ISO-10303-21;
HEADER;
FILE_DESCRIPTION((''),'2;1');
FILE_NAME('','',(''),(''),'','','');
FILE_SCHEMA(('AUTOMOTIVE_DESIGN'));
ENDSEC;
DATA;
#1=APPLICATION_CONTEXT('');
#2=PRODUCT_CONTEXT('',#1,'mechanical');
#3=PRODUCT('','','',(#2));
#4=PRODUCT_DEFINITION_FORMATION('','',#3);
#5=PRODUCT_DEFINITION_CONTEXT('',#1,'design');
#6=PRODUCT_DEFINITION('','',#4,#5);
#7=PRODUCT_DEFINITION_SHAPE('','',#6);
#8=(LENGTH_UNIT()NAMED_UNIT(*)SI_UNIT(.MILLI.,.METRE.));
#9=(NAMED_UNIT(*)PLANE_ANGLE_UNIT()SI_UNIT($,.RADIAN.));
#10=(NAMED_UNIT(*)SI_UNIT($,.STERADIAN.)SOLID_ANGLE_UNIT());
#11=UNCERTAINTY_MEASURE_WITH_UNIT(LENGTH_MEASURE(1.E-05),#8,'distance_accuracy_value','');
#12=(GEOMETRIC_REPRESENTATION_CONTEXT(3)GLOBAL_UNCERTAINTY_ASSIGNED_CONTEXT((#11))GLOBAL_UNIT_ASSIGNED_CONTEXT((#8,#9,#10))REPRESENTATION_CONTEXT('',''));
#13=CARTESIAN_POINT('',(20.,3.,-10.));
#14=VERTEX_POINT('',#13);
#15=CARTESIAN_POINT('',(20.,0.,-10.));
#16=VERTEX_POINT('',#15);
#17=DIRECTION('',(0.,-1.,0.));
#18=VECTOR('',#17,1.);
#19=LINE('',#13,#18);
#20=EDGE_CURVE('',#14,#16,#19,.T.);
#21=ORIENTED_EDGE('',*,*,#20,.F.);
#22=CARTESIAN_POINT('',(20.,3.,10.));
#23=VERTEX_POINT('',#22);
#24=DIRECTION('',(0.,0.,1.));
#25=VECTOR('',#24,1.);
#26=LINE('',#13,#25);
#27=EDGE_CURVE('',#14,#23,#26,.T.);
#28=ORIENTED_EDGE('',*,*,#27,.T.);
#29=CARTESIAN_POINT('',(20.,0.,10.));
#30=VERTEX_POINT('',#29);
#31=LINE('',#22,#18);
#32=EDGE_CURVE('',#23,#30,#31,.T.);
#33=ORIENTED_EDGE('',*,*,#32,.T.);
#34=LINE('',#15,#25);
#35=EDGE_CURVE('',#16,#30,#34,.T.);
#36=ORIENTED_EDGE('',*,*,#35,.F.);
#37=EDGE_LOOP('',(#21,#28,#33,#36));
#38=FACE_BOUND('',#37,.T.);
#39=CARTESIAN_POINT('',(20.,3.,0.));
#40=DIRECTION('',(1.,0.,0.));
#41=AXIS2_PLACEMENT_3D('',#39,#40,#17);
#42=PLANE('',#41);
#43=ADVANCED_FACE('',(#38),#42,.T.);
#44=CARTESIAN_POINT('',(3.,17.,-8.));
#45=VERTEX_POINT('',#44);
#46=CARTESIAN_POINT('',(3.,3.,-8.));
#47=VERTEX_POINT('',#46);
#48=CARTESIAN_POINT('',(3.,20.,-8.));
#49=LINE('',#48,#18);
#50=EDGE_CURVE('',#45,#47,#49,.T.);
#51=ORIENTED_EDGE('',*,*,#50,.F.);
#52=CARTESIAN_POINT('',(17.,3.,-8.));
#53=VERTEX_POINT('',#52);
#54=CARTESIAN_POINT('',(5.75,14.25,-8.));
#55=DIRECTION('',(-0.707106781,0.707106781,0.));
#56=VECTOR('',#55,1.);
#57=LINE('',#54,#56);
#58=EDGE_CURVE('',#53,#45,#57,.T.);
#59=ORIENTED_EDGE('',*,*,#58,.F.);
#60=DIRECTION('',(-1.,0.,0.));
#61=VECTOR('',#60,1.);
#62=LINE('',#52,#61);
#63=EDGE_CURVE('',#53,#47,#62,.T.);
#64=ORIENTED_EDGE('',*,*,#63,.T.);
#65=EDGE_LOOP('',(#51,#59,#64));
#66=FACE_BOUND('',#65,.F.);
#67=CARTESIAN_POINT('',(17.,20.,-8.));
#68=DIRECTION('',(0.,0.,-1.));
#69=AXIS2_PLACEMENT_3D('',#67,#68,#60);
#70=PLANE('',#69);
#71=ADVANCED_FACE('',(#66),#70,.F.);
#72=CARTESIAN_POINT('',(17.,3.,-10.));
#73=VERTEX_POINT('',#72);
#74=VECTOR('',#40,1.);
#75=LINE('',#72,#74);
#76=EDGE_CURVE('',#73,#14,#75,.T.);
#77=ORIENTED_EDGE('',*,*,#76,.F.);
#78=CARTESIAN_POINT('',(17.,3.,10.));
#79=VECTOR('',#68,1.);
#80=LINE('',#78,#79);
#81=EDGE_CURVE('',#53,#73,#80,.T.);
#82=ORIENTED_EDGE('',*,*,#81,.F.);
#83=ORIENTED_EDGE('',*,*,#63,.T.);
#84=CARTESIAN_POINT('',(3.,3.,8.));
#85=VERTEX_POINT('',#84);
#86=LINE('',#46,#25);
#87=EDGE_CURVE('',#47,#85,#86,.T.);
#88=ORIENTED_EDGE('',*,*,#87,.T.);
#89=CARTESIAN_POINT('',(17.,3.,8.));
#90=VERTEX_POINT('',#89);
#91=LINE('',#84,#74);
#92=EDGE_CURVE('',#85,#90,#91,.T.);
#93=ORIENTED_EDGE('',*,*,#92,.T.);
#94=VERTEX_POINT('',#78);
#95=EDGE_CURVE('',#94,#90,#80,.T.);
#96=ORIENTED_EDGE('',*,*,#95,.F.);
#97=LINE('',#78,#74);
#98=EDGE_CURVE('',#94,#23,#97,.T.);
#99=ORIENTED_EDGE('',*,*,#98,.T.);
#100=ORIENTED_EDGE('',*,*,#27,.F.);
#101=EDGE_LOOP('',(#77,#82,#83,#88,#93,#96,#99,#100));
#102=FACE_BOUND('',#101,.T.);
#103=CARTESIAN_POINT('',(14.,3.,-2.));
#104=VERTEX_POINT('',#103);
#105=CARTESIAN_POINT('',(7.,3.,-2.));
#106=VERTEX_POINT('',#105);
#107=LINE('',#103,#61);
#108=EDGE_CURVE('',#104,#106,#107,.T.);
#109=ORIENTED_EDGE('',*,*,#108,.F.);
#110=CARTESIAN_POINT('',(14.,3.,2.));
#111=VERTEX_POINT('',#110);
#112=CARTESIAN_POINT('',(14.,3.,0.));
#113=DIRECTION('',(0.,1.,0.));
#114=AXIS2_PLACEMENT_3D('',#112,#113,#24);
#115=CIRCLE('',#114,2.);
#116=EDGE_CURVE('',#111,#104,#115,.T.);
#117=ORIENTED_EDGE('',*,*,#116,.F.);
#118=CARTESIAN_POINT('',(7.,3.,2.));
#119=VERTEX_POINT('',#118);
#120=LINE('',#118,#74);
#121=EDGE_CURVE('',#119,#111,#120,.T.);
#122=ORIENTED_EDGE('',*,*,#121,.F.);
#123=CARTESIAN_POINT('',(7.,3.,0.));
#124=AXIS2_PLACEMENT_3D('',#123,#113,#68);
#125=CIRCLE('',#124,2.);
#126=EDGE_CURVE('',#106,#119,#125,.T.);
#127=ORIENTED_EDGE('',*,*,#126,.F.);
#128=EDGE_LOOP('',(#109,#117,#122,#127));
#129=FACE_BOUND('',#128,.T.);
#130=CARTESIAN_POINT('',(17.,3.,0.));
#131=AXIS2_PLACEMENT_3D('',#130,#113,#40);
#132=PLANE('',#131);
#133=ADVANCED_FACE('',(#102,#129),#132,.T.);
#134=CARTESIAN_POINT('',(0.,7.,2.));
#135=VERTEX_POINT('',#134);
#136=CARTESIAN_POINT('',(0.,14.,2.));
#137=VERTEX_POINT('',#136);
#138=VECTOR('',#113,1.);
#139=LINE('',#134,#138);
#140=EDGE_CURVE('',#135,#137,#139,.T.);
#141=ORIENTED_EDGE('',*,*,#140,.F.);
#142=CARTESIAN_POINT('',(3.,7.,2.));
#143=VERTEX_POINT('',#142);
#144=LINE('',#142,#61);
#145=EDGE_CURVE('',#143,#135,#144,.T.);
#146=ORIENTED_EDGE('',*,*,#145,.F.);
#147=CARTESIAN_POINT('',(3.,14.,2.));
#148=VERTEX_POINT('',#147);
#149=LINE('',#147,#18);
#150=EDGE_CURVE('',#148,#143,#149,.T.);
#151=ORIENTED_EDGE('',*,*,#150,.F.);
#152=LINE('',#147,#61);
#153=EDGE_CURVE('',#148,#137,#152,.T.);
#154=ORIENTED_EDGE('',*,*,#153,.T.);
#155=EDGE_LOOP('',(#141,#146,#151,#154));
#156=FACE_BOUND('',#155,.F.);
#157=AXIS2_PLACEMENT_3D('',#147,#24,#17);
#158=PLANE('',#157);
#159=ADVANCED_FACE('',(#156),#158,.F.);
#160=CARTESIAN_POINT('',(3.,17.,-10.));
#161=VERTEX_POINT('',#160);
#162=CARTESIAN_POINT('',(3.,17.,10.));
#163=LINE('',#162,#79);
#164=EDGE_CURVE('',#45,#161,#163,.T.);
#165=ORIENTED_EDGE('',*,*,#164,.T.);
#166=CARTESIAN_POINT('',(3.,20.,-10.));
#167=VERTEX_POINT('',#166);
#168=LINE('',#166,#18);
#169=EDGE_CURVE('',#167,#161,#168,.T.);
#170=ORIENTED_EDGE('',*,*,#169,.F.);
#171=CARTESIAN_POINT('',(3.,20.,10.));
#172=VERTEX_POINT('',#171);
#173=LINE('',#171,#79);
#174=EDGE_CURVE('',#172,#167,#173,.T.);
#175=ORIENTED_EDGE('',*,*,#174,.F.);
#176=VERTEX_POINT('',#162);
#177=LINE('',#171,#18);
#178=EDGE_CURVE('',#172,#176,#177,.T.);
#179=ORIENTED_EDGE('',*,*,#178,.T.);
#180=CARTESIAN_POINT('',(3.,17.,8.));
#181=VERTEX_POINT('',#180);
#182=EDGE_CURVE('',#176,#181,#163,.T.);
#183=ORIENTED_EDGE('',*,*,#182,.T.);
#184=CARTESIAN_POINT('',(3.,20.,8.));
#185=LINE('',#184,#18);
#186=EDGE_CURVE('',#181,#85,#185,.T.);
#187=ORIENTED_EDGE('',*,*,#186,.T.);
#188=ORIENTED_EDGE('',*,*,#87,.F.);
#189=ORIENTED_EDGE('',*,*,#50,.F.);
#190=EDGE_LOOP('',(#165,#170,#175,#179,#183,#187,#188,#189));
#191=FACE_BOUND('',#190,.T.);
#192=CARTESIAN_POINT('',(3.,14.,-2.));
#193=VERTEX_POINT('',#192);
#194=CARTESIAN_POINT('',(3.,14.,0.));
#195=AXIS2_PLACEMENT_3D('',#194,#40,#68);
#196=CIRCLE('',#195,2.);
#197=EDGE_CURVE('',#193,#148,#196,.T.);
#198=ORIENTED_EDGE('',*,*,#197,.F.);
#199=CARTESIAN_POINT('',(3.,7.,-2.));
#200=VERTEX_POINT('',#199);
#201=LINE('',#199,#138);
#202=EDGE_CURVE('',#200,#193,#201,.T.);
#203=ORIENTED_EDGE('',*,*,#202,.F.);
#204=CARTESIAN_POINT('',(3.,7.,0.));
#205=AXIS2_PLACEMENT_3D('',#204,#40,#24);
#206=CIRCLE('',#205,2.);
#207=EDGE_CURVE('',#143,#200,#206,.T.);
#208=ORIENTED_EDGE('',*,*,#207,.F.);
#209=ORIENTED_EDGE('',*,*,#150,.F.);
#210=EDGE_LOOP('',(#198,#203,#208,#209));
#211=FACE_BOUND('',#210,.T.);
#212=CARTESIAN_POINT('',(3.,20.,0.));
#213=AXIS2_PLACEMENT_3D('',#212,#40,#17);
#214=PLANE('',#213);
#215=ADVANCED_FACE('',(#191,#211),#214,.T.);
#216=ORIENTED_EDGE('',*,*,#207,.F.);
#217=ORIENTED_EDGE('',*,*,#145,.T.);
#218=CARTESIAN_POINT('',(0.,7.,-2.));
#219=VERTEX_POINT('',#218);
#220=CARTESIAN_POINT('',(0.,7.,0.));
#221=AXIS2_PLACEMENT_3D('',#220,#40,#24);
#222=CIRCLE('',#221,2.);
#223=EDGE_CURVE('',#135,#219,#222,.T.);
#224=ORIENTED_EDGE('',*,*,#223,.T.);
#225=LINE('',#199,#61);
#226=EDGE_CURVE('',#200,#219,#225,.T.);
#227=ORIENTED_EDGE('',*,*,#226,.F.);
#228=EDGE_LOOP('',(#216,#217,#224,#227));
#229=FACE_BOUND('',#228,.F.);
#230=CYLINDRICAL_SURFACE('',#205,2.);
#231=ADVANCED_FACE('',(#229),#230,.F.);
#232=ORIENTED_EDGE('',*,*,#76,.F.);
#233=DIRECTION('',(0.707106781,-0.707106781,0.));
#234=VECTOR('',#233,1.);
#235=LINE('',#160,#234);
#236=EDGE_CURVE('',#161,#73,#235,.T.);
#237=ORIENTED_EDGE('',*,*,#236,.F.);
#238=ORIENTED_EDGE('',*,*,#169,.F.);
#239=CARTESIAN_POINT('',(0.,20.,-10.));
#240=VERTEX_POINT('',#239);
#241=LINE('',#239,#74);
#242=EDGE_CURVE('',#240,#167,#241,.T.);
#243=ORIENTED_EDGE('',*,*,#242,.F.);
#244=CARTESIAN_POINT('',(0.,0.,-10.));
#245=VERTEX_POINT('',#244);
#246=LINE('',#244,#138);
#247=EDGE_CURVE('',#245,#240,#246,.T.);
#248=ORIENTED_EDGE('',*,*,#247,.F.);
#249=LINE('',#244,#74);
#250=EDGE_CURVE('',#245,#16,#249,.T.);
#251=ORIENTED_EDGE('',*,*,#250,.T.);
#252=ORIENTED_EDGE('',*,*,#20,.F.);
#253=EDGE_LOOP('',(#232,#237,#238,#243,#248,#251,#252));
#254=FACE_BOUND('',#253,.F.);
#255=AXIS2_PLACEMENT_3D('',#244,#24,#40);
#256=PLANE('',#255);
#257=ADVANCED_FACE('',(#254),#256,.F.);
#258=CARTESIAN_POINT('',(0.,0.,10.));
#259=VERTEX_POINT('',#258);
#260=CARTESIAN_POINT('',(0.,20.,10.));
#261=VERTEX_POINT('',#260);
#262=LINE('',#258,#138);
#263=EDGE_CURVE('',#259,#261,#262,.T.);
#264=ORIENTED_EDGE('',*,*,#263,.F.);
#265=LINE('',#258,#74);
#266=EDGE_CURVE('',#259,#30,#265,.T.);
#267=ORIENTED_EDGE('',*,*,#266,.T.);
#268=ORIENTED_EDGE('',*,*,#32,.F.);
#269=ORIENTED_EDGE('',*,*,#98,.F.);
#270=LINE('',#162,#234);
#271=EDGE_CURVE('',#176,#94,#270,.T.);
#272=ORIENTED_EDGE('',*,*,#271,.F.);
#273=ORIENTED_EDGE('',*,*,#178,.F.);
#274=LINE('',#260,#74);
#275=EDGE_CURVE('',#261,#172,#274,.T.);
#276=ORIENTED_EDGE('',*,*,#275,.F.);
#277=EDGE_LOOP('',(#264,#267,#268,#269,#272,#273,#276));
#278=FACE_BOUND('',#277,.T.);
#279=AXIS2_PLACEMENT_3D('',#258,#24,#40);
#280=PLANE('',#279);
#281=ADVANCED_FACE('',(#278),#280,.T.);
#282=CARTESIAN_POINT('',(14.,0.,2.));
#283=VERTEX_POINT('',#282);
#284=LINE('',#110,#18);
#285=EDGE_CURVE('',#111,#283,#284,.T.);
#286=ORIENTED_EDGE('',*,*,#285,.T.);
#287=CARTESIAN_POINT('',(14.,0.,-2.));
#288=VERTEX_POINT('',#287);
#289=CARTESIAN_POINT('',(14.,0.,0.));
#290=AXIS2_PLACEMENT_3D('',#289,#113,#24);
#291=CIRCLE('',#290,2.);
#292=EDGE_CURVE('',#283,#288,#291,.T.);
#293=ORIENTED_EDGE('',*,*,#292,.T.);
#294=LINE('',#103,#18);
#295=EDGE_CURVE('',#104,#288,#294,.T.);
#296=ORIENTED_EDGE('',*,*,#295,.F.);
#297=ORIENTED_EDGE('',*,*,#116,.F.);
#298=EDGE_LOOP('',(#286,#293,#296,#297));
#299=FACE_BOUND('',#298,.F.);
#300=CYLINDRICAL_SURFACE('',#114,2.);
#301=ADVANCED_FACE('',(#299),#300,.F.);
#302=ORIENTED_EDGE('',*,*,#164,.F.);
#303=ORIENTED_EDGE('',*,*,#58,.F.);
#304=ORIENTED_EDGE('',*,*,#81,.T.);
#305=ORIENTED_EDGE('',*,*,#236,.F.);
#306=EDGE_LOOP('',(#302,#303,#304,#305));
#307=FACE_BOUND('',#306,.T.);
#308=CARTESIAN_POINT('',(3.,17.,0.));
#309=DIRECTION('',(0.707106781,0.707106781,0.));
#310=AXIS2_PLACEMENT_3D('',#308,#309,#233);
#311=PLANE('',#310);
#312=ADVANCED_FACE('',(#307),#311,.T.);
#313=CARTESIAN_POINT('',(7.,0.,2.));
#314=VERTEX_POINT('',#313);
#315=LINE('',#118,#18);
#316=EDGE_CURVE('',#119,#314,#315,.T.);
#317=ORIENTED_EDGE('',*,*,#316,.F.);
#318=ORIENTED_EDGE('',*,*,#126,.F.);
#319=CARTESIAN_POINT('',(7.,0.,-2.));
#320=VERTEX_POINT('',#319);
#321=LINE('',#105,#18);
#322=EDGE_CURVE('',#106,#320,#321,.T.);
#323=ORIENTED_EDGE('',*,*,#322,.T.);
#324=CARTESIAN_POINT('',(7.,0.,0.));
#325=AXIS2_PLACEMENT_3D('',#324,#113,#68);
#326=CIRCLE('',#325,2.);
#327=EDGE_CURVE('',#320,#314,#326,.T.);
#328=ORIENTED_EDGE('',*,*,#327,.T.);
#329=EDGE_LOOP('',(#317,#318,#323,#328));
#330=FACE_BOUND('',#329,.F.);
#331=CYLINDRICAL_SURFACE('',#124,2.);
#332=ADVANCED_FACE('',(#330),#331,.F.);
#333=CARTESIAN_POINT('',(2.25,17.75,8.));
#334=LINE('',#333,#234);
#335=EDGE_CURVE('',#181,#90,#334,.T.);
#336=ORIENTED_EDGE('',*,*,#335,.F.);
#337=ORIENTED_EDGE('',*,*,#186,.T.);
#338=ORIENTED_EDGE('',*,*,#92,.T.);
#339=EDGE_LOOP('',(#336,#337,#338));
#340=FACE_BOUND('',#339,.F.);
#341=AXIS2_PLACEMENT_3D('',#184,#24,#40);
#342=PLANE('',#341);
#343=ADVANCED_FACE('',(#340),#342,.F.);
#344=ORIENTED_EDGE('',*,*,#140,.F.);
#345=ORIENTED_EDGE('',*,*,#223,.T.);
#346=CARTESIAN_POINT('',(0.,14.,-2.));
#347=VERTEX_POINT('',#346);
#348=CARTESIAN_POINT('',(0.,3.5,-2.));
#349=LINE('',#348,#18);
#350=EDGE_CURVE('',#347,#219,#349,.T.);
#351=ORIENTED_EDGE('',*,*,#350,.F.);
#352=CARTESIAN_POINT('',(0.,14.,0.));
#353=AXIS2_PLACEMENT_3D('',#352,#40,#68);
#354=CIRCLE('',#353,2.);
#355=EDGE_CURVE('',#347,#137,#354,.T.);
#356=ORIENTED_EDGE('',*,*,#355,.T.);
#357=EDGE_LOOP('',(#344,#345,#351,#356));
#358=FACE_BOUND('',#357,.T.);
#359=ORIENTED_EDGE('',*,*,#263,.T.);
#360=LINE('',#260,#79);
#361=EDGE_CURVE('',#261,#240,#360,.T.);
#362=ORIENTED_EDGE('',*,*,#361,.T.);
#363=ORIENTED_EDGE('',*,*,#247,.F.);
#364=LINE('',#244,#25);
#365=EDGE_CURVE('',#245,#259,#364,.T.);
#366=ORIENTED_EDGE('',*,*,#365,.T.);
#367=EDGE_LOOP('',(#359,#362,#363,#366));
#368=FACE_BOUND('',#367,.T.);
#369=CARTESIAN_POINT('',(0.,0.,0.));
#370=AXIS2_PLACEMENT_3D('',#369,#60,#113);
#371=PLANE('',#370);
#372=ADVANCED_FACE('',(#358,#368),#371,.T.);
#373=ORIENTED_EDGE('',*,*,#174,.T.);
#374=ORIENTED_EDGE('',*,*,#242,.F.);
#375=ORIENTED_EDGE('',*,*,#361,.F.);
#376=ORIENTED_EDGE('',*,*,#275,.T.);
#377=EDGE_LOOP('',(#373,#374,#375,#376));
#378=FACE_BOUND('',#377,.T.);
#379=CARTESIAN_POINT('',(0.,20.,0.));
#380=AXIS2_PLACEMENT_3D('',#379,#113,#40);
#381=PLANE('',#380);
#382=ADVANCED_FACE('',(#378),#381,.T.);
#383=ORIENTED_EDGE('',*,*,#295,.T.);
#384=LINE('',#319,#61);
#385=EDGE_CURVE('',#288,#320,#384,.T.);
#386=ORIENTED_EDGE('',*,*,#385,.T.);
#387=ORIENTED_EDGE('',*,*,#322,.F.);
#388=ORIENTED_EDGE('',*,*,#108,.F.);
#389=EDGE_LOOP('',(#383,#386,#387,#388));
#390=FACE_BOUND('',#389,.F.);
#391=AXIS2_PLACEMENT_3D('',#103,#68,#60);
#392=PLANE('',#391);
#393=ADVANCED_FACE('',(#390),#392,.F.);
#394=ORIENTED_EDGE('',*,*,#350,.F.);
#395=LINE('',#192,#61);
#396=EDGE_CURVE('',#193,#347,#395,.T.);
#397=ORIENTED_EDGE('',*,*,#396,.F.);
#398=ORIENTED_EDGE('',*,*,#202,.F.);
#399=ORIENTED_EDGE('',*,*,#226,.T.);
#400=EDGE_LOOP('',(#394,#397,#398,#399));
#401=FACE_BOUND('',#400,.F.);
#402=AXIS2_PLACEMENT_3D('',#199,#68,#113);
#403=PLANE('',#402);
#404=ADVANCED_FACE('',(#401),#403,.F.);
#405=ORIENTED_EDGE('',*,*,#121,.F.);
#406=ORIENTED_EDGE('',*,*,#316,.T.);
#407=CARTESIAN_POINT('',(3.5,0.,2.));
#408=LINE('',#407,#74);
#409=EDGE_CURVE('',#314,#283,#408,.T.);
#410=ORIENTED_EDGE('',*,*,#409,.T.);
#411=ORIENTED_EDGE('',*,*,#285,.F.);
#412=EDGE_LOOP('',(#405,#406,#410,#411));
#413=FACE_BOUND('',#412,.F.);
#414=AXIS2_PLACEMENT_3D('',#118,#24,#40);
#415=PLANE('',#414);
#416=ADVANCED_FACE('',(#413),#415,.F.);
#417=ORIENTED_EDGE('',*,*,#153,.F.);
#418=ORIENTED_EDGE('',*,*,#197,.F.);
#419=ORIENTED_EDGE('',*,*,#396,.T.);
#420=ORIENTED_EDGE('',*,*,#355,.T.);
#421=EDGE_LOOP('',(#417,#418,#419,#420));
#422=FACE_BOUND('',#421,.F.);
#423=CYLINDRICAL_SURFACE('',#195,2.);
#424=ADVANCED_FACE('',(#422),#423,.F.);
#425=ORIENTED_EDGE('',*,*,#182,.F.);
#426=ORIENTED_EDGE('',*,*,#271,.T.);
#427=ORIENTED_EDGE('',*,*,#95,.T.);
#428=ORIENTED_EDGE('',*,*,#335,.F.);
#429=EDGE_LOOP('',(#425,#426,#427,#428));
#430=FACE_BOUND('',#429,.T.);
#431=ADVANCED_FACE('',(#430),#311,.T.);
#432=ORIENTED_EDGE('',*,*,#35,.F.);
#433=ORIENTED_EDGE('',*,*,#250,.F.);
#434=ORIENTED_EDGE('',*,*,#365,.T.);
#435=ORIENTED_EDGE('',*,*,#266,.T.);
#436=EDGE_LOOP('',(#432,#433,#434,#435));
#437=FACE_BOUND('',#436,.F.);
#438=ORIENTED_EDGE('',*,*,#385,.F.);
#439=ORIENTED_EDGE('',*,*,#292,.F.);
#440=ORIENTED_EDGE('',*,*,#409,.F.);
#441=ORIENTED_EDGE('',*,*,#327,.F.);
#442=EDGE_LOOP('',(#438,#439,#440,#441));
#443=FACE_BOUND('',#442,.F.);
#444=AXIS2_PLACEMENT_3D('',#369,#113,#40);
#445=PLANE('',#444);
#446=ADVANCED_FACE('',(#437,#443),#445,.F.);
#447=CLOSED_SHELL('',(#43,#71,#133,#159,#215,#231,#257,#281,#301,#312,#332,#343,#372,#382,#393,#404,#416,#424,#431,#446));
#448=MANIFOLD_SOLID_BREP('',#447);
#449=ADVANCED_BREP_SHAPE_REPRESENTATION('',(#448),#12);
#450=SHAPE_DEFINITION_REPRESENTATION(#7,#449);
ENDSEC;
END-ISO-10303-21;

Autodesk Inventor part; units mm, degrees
ref_plane "YZ Plane" through (0, 0, 0) normal (1, 0, 0) x (0, 1, 0)
ref_plane "XZ Plane" through (0, 0, 0) normal (0, 1, 0) x (-1, 0, 0)
ref_plane "XY Plane" through (0, 0, 0) normal (0, 0, 1) x (1, 0, 0)
sketch "Sketch1" plane through (0, 0, 0) normal (0, 0, 1) x (1, 0, 0)
  line L0 (0, 0) -> (0, 20)
  line L1 (0, 0) -> (20, 0)
  line L2 (0, 20) -> (3, 20)
  line L3 (3, 20) -> (3, 17)
  line L4 (3, 17) -> (17, 3)
  line L5 (17, 3) -> (20, 3)
  line L6 (20, 3) -> (20, 0)
  dimension "d0" = 20
  dimension "d1" = 20
  dimension "d2" = 3
  dimension "d3" = 3
  dimension "d4" = 3
  dimension "d5" = 3
extrude "Extrusion1" add sketch "Sketch1" along normal mid plane 20
sketch "Sketch2" plane through (0, 20, 10) normal (0, 1, 0) x (1, 0, 0)
  line L0 (3, 2) -> (17, 2)
  line L1 (17, 2) -> (17, 18)
  line L2 (17, 18) -> (3, 18)
  line L3 (3, 18) -> (3, 2)
  line L4 (0, 0) -> (0, 20) projected
  line L5 (3, 0) -> (3, 20) projected
  line L6 (17, 0) -> (17, 20) projected
  line L7 (3, 20) -> (17, 20) projected
  point P0 (0, 10)
  point P1 (3, 10)
  point P2 (0, 10)
  dimension "d8" = 2
extrude "Extrusion2" cut sketch "Sketch2" against normal up to surface (17 mm away) contours L3 L2 L1 L0
sketch "Sketch3" plane through (17, 3, 10) normal (0, 1, 0) x (1, 0, 0)
  line L0 (-10, 10) -> (-3, 10) construction
  line L1 (-10, 8) -> (-3, 8)
  line L2 (-3, 12) -> (-10, 12)
  arc A0 (-10, 12) -> (-10, 8) centre (-10, 10) ccw
  arc A1 (-3, 8) -> (-3, 12) centre (-3, 10) ccw
  line L3 (-17, 0) -> (-17, 20) projected
  line L4 (-14, 0) -> (-14, 20) projected
  line L5 (3, 0) -> (3, 20) projected
  point P0 (-17, 10)
  point P1 (-6.5, 10)
  point P2 (-17, 10)
  point P3 (-17, 10)
  dimension "d11" = 4
  dimension "d12" = 4
  dimension "d21" = 6
extrude "Extrusion3" cut sketch "Sketch3" against normal through all
sketch "Sketch4" plane through (3, 17, 10) normal (1, 0, 0) x (0, 0, -1)
  line L0 (10, -3) -> (10, -10) construction
  line L1 (8, -3) -> (8, -10)
  line L2 (12, -10) -> (12, -3)
  arc A0 (12, -3) -> (8, -3) centre (10, -3) ccw
  arc A1 (8, -10) -> (12, -10) centre (10, -10) ccw
  line L3 (0, -17) -> (20, -17) projected
  line L4 (0, -14) -> (20, -14) projected
  line L5 (0, 3) -> (20, 3) projected
  point P0 (10, -17)
  point P1 (10, -6.5)
  point P2 (10, -17)
  dimension "d16" = 4
  dimension "d17" = 4
  dimension "d18" = 6
extrude "Extrusion4" cut sketch "Sketch4" against normal through all
equation "\"d1\" = d0"
equation "\"d5\" = d2"
properties part number "GUSSET 2020"
